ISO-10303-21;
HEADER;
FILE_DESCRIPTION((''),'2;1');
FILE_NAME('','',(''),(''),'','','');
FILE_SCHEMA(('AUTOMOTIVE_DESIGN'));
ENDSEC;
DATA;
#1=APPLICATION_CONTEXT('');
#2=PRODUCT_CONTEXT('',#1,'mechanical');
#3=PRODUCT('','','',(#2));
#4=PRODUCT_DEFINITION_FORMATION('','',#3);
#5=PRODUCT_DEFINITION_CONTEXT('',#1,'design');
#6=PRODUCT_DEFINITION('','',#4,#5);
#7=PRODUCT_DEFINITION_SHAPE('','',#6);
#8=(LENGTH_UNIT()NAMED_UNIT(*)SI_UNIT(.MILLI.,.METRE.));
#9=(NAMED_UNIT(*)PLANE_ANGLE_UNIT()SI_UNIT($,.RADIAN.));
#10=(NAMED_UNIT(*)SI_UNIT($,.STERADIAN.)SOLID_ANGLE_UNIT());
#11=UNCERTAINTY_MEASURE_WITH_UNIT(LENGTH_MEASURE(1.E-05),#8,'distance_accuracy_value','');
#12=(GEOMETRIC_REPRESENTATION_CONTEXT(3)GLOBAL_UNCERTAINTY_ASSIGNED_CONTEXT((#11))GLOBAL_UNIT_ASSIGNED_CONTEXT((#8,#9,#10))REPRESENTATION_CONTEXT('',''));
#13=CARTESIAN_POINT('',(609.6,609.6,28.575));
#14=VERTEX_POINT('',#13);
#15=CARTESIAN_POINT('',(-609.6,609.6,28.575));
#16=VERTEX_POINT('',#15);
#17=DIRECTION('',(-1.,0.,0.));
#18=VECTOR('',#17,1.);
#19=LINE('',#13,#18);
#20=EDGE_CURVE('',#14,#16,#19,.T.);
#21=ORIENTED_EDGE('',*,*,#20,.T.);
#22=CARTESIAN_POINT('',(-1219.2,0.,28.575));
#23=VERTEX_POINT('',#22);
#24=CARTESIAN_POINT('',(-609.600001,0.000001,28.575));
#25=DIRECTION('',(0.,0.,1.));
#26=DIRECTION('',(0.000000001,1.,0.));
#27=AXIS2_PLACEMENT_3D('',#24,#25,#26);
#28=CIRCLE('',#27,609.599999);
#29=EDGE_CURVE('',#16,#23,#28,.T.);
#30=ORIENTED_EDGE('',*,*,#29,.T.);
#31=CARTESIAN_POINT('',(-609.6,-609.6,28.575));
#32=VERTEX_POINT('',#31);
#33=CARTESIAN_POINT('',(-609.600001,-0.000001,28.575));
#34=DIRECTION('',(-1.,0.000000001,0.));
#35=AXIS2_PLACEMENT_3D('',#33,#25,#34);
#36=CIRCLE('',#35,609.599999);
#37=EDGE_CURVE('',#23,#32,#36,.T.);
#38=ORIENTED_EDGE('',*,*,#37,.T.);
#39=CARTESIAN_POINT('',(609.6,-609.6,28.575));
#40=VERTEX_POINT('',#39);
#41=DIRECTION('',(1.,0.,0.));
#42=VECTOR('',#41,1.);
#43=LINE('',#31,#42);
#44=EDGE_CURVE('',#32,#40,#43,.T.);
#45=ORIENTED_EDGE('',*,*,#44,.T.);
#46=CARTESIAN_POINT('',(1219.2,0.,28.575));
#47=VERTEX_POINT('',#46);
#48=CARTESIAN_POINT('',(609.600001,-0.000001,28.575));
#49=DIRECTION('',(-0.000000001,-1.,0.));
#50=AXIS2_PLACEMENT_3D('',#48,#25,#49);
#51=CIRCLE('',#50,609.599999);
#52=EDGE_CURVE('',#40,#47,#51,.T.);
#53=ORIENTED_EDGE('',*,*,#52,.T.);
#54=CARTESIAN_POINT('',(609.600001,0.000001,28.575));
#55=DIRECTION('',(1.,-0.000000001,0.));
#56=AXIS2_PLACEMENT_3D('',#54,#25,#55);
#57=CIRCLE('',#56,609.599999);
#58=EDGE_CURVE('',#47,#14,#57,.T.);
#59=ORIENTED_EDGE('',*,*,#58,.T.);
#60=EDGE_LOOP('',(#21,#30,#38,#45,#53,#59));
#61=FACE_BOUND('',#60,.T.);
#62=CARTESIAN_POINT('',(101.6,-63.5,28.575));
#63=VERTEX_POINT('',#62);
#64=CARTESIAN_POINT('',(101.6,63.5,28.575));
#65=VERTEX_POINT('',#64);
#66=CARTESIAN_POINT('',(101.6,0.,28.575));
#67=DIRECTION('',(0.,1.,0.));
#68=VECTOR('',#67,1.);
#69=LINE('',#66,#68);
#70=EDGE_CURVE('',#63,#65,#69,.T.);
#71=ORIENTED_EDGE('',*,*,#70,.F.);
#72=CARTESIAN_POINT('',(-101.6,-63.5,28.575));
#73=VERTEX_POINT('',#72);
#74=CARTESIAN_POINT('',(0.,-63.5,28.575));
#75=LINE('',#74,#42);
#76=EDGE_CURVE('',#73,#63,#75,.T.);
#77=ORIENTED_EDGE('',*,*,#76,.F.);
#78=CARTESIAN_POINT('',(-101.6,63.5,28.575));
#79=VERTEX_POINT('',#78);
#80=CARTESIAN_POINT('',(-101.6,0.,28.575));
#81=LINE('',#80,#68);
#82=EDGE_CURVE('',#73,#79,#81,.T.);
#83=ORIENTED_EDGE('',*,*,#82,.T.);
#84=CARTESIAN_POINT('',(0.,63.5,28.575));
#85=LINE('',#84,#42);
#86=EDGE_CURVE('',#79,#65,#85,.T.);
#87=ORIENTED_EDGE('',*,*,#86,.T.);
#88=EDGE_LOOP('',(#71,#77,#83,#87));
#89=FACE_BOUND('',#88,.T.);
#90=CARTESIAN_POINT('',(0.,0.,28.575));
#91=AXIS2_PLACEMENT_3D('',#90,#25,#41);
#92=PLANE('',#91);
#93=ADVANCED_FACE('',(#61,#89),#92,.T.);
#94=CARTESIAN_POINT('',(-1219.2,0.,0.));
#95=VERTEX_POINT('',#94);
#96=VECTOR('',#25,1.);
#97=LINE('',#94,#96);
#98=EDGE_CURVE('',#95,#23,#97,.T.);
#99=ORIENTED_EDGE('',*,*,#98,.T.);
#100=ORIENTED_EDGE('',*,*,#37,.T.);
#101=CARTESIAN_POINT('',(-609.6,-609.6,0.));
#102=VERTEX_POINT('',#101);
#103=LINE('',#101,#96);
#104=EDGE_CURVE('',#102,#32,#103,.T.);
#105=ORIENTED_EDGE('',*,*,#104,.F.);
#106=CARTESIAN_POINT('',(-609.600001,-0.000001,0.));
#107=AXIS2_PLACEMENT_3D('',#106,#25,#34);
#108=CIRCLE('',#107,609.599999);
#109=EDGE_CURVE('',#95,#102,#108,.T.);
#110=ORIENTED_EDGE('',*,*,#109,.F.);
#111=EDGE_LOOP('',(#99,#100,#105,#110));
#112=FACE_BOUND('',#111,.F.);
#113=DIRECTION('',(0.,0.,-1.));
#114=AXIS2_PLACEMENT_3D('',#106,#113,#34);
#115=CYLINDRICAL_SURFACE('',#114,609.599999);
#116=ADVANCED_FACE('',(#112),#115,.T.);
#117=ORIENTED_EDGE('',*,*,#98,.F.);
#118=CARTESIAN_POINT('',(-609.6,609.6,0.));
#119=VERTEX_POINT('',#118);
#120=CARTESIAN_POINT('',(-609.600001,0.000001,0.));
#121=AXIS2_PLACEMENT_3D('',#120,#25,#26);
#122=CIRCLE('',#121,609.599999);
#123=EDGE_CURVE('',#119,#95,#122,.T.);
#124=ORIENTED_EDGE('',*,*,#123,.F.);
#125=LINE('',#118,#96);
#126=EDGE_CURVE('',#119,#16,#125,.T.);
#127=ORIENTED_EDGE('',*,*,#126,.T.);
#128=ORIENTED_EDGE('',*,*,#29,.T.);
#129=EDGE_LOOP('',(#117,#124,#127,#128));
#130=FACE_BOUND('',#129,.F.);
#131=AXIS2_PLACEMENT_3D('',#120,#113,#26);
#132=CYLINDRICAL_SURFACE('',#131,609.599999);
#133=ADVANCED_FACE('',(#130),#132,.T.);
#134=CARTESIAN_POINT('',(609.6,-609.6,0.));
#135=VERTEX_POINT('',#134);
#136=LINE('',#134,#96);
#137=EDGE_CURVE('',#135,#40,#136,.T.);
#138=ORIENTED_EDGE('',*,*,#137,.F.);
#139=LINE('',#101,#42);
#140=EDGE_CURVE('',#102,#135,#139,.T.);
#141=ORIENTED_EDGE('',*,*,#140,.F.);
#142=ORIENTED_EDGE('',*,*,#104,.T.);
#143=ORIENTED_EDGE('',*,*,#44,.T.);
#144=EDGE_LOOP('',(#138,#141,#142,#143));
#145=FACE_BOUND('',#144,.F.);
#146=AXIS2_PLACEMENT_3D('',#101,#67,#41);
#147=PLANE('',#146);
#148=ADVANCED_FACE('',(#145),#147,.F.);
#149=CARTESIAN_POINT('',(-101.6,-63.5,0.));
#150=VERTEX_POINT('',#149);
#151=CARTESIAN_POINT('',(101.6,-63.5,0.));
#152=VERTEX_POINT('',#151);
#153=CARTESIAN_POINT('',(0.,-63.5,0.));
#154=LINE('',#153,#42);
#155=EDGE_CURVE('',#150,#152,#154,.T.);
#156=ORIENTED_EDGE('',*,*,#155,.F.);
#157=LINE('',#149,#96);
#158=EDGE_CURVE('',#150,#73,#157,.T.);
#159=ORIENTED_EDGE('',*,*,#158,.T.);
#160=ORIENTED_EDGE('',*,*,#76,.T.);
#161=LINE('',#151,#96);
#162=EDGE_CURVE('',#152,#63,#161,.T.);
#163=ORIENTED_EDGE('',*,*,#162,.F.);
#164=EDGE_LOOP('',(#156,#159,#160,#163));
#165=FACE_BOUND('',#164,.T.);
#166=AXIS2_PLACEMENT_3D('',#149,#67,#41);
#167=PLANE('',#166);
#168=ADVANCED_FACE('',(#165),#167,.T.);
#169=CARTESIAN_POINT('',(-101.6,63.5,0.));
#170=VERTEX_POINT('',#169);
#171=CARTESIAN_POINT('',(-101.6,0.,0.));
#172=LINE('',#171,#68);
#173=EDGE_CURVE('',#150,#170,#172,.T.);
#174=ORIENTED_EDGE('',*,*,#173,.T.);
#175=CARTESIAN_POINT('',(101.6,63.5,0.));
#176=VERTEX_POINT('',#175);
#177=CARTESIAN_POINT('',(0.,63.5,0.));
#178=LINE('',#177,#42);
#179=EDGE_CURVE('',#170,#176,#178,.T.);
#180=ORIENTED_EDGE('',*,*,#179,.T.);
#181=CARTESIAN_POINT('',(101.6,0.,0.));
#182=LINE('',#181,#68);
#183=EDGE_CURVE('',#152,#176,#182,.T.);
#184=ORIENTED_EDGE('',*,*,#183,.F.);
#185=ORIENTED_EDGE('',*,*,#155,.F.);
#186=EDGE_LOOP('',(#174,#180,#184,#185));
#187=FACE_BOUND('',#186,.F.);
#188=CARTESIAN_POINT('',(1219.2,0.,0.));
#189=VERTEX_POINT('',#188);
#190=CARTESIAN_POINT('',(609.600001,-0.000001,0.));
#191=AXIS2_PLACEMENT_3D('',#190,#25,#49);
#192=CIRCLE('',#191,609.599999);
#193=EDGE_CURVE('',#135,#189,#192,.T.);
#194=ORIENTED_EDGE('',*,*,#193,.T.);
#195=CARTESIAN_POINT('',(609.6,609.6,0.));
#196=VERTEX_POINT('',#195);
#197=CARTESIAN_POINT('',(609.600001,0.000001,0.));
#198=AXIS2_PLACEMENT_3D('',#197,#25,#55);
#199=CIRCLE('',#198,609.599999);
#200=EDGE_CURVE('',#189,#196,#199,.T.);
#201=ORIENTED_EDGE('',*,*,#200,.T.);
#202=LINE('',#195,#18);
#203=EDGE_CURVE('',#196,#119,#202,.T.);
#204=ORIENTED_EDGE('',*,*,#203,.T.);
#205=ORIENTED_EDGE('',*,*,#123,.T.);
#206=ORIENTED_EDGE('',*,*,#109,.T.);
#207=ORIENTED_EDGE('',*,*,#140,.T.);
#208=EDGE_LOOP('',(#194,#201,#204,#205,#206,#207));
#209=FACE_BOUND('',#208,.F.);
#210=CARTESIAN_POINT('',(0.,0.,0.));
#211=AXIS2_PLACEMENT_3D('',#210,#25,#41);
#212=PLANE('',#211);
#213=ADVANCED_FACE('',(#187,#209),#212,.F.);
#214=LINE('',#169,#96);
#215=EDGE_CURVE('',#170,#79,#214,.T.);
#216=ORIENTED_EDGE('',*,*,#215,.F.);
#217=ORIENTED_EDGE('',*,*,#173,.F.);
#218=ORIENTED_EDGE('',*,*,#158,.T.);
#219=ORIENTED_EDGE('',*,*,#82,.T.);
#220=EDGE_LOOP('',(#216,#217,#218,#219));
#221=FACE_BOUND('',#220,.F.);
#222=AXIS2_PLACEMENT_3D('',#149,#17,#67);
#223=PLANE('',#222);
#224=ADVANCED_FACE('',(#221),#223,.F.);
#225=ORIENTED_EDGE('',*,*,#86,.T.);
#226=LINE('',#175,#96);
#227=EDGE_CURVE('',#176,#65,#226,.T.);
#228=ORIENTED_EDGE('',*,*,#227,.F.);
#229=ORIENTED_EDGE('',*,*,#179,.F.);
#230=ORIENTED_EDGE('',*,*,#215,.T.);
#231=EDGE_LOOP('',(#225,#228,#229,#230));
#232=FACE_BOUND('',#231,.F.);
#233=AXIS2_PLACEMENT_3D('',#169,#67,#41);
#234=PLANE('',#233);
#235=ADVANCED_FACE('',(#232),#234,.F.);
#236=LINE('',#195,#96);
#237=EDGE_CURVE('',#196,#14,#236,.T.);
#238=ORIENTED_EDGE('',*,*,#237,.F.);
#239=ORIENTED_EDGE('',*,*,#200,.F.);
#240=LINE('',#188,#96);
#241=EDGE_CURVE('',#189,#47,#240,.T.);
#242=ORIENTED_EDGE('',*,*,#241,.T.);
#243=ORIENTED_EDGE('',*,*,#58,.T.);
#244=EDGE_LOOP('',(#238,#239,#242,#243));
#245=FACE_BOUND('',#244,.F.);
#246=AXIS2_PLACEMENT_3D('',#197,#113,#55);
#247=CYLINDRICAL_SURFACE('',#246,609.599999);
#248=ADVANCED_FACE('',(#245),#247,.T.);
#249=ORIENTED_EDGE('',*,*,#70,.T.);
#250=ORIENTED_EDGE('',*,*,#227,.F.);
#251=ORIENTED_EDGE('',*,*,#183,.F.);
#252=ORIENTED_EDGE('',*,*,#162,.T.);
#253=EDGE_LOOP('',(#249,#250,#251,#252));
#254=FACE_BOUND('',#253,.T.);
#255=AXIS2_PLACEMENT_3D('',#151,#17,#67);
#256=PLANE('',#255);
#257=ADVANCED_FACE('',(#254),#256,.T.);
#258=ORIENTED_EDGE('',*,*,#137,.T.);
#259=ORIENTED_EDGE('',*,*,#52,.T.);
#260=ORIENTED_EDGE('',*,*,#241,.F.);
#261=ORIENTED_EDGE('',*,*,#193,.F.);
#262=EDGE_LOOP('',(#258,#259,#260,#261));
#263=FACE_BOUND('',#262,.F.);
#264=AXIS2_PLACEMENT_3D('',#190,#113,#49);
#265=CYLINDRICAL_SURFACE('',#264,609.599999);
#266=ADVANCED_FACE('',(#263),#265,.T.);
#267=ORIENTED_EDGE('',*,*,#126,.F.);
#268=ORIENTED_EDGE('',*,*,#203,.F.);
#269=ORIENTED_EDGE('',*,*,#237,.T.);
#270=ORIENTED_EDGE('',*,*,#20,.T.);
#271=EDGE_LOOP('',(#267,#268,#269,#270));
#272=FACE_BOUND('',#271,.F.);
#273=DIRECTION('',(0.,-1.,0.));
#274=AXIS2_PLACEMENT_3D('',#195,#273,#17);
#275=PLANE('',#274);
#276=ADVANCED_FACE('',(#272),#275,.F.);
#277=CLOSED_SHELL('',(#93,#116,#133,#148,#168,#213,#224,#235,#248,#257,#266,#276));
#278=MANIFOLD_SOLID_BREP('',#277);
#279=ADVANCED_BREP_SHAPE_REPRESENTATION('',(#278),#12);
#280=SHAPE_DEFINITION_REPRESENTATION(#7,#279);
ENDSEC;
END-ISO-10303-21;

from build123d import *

# Parameters (mm, degrees)
F0_W     = 203.2
F0_H     = 127
F1_DEPTH = 28.575


with BuildPart() as f1:
    # F0 (on Top) → F1 (new body)
    with BuildSketch(Plane.XY):
        with BuildLine():
            Line((609.6, 609.6), (-609.6, 609.6))
            ThreePointArc((-609.6, 609.6), (-1040.652294, 431.052294), (-1219.2, 0))
            ThreePointArc((-1219.2, 0), (-1040.652294, -431.052294), (-609.6, -609.6))
            Line((-609.6, -609.6), (609.6, -609.6))
            ThreePointArc((609.6, -609.6), (1040.652294, -431.052294), (1219.2, 0))
            ThreePointArc((1219.2, 0), (1040.652294, 431.052294), (609.6, 609.6))
        make_face()
        Rectangle(F0_W, F0_H, mode=Mode.SUBTRACT)
    extrude(amount=F1_DEPTH)


solid = f1.part
